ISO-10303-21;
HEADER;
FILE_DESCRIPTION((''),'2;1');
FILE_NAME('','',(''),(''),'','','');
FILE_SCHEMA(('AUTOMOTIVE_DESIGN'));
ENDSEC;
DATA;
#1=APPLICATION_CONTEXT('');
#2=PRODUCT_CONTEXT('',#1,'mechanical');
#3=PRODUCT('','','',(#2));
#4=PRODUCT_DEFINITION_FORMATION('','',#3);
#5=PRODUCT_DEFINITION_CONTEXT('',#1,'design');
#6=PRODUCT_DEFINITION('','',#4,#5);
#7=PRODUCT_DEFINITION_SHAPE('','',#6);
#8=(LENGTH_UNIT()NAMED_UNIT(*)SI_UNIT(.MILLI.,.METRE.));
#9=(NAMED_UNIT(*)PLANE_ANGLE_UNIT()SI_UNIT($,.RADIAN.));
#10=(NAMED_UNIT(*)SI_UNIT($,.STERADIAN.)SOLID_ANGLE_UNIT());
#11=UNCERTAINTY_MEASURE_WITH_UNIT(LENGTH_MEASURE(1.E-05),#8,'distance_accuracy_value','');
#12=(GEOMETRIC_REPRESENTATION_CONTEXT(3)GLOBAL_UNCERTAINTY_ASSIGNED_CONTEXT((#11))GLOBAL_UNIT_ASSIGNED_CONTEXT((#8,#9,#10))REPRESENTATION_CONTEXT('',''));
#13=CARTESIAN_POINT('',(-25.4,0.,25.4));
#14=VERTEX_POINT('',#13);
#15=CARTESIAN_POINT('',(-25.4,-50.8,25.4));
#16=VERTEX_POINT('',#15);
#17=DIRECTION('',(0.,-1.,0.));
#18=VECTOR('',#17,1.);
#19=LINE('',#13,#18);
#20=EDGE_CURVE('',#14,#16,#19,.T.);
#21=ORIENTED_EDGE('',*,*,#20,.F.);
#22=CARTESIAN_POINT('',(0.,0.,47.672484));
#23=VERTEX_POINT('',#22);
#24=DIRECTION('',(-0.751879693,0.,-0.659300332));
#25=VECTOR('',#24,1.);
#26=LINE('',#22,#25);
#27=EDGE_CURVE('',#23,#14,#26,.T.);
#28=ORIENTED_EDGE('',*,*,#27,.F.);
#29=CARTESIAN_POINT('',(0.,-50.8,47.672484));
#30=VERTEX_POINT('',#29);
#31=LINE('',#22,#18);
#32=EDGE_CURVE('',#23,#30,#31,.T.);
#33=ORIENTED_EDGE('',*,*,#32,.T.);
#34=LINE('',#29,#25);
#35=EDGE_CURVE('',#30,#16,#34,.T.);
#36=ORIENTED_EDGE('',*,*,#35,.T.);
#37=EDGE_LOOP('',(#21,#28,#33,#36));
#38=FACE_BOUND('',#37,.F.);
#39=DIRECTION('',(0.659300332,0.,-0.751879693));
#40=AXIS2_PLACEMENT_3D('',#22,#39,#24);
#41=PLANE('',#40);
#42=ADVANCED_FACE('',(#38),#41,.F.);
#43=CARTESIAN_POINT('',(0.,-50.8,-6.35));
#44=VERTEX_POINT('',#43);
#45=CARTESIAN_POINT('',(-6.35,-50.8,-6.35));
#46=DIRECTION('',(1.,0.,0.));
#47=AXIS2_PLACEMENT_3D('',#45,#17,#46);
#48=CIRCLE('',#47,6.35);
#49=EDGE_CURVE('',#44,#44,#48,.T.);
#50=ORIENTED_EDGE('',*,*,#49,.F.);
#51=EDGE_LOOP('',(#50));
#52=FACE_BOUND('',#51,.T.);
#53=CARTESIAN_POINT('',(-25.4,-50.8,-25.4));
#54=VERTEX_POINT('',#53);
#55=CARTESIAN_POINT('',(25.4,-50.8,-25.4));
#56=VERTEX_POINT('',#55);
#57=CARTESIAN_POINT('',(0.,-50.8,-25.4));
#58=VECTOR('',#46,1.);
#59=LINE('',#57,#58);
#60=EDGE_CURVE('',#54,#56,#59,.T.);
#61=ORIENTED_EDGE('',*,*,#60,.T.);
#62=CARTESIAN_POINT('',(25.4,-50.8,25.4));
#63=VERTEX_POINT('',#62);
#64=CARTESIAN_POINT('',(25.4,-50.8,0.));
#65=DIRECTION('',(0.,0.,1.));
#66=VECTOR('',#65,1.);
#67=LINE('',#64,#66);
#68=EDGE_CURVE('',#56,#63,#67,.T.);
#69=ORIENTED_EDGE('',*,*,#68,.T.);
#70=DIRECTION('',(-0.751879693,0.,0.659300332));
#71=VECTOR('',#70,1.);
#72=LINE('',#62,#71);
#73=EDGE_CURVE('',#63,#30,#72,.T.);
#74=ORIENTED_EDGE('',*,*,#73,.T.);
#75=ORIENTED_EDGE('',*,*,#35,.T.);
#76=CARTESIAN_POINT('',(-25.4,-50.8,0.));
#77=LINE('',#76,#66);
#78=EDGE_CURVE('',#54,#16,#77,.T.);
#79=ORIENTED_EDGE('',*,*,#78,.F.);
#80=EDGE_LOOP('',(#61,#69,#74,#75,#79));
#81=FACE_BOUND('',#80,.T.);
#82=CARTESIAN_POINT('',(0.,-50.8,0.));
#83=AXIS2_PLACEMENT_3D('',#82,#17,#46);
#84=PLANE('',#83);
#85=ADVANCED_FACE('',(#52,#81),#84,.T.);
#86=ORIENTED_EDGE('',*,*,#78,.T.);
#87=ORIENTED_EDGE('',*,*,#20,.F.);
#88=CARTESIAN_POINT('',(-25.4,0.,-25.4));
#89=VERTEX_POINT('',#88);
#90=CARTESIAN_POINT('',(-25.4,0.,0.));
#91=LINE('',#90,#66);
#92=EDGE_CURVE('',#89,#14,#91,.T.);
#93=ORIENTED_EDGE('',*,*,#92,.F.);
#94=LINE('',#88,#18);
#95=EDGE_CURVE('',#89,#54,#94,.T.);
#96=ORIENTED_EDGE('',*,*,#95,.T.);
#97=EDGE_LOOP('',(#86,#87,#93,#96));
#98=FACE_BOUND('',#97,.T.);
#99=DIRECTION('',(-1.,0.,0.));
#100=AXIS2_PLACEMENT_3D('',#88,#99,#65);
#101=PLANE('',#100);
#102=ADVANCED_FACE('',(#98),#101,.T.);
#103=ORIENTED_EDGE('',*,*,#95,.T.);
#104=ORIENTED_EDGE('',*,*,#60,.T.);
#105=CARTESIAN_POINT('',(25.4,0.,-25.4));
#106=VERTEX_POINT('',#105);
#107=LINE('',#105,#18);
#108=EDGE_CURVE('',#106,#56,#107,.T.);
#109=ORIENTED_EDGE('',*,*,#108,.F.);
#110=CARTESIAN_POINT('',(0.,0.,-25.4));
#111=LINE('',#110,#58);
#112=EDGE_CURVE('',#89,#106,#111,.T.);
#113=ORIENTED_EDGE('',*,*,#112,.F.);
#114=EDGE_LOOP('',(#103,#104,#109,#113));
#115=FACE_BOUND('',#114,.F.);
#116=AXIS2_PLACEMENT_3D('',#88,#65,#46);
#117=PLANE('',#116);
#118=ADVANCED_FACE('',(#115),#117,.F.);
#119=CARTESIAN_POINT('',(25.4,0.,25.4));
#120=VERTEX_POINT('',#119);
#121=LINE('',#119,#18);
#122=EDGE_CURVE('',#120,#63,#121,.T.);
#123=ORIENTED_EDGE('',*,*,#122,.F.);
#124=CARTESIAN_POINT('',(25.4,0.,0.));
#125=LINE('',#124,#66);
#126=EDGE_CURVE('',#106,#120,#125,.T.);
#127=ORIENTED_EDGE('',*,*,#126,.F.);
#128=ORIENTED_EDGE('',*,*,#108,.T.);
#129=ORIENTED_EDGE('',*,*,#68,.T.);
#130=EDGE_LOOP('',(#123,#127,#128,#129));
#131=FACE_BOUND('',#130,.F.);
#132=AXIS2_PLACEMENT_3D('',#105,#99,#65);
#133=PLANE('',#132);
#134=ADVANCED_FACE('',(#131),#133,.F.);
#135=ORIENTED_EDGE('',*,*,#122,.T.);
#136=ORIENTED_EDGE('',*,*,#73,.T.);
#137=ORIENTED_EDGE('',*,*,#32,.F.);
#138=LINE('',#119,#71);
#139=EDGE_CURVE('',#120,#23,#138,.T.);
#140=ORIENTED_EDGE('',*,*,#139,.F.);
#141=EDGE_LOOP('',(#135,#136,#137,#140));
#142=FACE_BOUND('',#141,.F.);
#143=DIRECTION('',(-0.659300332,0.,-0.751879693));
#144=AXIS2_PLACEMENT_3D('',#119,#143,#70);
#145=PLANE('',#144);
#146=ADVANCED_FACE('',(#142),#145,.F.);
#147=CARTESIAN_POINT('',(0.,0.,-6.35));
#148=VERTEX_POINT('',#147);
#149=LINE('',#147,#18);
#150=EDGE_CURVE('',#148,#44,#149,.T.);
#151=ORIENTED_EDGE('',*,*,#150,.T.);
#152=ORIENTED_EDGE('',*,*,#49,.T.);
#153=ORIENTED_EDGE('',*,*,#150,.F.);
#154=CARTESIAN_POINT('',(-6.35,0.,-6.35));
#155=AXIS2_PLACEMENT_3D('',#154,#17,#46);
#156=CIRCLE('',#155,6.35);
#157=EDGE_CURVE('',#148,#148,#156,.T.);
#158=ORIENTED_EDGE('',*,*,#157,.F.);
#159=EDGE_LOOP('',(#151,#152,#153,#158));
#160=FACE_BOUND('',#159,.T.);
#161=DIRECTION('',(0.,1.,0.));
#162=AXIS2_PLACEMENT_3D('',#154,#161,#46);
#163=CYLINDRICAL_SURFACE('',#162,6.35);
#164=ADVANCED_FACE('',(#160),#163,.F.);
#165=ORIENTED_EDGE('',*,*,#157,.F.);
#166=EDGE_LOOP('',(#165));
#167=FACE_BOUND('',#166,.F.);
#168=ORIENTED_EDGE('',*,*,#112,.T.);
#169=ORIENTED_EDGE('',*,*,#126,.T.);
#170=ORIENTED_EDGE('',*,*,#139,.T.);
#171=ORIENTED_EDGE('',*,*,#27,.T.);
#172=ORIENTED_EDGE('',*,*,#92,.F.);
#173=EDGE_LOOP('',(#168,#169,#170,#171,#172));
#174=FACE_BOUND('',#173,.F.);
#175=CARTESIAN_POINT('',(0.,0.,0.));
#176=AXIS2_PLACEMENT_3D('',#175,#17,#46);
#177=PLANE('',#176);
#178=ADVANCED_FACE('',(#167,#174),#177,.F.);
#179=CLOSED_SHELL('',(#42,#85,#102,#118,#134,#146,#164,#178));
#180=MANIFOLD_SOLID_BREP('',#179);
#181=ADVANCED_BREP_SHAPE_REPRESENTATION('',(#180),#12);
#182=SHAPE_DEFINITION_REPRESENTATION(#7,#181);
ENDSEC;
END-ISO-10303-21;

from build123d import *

# Parameters (mm, degrees)
F0_W     = 50.8
F0_H     = 50.8
F0_R     = 6.35
F1_DEPTH = 50.8


with BuildPart() as f1:
    # F0 (on Front) → F1 (new body)
    with BuildSketch(Plane.XZ):
        Rectangle(F0_W, F0_H)
        with Locations((-6.35, -6.35)):
            Circle(F0_R, mode=Mode.SUBTRACT)
        Polygon((0, 47.672484), (-25.4, 25.4), (25.4, 25.4), align=None)
    extrude(amount=F1_DEPTH)


solid = f1.part
